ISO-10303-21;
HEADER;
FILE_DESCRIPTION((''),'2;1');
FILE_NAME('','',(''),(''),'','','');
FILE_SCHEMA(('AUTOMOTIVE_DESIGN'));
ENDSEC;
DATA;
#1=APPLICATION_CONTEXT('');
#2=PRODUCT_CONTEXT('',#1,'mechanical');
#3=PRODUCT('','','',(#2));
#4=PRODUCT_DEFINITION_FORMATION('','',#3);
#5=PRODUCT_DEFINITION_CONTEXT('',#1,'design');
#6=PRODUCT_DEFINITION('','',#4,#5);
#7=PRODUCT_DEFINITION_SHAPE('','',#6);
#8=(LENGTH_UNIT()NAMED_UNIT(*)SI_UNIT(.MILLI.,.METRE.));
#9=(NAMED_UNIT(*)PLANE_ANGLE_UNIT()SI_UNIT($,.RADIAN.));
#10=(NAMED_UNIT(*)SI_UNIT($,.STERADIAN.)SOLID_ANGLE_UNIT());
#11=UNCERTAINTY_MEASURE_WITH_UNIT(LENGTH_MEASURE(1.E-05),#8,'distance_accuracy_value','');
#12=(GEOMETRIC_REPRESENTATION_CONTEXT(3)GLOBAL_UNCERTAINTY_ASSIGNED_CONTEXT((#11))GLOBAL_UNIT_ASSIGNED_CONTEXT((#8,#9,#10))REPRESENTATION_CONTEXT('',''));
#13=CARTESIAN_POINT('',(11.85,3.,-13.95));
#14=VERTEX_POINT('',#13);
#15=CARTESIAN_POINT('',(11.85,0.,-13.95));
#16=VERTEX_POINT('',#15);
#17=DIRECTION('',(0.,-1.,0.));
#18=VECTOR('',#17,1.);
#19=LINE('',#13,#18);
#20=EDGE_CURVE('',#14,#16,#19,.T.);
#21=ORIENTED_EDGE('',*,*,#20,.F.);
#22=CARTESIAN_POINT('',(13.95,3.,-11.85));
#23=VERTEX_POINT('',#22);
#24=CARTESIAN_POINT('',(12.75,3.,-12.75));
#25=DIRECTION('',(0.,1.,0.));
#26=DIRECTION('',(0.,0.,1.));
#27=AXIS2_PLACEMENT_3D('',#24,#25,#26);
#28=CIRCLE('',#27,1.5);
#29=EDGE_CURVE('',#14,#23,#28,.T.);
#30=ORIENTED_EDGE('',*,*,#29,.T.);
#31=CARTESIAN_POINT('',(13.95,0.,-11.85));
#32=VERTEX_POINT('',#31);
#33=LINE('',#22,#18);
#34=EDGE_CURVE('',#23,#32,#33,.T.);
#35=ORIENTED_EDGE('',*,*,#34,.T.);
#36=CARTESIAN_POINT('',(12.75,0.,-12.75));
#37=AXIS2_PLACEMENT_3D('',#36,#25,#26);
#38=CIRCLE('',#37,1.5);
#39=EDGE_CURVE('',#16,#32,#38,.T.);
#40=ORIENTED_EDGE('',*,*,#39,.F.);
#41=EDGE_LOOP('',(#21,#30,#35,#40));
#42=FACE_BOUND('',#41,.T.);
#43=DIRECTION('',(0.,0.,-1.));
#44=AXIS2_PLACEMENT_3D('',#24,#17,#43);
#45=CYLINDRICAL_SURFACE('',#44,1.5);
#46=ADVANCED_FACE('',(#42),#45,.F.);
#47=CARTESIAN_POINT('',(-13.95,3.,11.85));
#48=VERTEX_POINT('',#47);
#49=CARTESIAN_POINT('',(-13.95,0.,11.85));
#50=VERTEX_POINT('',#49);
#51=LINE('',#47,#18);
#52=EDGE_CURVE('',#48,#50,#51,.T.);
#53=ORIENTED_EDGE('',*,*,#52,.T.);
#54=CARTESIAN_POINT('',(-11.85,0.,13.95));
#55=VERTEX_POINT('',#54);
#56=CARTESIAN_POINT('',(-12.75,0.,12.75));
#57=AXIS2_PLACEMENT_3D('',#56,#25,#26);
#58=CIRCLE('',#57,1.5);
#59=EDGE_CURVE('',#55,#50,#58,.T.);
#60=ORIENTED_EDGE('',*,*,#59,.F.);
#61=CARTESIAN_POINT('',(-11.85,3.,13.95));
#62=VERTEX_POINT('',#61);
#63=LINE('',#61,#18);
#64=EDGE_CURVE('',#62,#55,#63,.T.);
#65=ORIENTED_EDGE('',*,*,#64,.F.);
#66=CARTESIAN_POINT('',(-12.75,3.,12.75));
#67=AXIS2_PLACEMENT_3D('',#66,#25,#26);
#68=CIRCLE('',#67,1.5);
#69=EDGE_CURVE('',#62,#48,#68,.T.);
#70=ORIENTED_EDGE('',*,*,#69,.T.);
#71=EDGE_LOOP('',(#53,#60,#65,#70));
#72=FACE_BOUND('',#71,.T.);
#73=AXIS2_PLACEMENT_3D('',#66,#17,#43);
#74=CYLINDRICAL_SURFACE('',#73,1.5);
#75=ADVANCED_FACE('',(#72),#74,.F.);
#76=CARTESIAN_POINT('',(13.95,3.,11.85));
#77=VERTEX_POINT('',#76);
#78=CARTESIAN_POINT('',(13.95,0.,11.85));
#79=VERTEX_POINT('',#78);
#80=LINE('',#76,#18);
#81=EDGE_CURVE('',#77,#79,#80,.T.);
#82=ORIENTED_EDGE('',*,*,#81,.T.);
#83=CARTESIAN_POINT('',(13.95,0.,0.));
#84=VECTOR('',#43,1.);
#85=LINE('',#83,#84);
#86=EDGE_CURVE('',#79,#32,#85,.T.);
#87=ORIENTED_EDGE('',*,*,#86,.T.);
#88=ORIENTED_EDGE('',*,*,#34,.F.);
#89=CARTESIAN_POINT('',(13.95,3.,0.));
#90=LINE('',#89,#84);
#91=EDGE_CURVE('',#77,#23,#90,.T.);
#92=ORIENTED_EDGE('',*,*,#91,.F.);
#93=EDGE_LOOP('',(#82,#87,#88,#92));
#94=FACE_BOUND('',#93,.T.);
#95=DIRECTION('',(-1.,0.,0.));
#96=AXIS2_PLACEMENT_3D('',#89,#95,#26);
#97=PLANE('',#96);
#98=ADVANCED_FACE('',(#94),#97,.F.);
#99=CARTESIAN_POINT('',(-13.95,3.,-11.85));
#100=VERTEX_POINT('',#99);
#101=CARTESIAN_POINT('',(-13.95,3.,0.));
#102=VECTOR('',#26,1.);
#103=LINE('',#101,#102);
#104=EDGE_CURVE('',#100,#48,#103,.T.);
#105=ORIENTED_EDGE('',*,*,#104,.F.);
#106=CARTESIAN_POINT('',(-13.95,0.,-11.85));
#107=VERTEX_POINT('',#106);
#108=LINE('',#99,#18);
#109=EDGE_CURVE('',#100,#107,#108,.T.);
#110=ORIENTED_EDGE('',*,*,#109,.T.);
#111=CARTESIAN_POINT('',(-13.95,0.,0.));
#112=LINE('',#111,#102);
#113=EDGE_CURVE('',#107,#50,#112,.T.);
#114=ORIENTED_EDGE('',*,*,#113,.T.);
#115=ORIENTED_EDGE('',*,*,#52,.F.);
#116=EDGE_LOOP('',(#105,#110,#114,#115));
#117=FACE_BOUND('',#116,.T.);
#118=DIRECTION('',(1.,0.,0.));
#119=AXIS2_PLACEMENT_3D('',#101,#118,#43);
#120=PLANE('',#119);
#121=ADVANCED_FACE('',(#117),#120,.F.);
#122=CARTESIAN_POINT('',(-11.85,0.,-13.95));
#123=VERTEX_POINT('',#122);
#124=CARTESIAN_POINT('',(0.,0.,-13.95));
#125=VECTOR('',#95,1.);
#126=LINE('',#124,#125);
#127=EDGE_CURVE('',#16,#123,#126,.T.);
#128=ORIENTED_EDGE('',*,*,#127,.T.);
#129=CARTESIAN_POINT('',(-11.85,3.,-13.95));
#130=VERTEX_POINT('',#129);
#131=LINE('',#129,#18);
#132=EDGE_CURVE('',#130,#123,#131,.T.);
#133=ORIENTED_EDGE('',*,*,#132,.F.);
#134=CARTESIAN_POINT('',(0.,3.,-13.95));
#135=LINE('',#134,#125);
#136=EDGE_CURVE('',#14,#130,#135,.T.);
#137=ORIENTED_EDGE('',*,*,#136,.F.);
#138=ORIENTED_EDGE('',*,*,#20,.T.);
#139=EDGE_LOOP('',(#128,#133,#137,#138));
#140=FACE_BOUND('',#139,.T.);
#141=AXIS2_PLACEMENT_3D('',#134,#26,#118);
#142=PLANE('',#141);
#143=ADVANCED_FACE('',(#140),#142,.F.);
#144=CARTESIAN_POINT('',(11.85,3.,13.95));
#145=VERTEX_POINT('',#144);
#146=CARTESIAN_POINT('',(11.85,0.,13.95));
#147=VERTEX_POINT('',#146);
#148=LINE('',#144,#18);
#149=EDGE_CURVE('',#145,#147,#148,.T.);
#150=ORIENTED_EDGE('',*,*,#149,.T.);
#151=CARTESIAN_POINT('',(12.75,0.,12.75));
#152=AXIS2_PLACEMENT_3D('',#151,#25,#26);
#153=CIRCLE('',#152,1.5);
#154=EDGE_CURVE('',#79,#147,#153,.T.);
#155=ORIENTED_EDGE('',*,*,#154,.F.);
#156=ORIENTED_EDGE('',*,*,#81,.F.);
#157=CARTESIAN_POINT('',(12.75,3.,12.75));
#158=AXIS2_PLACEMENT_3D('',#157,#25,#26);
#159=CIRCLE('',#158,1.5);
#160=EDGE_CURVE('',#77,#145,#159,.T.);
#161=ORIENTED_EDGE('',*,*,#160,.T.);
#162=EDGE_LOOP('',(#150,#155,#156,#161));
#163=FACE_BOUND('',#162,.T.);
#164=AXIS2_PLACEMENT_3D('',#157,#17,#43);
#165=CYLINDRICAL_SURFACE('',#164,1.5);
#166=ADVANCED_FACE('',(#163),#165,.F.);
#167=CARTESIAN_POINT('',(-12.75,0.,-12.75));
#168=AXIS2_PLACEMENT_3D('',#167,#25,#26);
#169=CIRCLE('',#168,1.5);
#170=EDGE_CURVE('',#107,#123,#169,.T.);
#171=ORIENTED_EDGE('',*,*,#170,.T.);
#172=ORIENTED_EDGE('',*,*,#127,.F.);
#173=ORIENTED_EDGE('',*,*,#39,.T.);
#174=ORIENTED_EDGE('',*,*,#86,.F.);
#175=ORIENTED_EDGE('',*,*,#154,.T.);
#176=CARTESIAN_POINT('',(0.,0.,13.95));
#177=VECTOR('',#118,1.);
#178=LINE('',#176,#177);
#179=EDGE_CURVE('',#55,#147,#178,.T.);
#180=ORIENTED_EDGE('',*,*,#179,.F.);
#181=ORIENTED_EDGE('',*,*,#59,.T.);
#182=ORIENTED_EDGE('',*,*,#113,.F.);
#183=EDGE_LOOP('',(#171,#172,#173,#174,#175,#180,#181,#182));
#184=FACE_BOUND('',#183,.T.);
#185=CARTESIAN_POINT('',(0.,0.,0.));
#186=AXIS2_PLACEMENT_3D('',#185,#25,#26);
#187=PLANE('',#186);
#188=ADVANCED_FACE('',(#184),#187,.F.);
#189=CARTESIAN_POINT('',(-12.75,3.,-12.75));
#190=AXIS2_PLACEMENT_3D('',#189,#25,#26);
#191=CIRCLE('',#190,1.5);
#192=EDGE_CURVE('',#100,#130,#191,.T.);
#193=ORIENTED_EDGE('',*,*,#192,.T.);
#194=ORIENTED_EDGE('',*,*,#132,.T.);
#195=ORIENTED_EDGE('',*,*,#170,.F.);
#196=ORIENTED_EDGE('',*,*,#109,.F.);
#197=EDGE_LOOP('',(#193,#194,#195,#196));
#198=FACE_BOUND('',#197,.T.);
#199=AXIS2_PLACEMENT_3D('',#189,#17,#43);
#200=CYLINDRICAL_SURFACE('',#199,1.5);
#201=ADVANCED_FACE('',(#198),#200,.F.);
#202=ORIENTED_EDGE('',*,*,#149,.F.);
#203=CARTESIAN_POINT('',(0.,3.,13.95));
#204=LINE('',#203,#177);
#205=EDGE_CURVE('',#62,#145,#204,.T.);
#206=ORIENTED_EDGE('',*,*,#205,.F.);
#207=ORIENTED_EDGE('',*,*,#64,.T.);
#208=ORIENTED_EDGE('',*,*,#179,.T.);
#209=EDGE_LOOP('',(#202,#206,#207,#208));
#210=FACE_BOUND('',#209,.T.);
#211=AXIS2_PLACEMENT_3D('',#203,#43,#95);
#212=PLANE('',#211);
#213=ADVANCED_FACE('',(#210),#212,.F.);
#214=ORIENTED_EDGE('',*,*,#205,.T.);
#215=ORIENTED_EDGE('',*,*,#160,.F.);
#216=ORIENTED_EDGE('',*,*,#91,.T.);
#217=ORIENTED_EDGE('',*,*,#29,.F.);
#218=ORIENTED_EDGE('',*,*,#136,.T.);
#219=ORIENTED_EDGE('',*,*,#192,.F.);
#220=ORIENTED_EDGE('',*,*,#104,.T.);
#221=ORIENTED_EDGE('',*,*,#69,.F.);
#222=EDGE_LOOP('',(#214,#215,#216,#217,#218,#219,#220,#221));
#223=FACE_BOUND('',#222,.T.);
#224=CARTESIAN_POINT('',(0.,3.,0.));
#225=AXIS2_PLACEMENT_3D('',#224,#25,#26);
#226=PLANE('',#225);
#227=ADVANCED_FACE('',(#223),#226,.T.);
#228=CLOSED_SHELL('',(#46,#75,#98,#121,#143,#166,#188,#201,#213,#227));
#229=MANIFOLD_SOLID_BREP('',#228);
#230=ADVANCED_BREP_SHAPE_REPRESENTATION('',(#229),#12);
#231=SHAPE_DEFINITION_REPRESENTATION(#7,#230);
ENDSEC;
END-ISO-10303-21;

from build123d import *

# Parameters (mm, degrees)
FLIGHT_COMPUTER_DEPTH = 3


with BuildPart() as part:
    # Sketch2 → Flight Computer (new body)
    with BuildSketch(Plane(origin=(0, 0, 0), x_dir=(1, 0, 0), z_dir=(0, 1, 0))):
        with BuildLine():
            ThreePointArc((-11.25, 12.75), (-12.275658351, 11.326975053), (-13.95, 11.85))
            Line((-13.95, 11.85), (-13.95, -11.85))
            ThreePointArc((-13.95, -11.85), (-12.275658351, -11.326975053), (-11.25, -12.75))
            ThreePointArc((-11.25, -12.75), (-11.408359213, -13.420820393), (-11.85, -13.95))
            Line((-11.85, -13.95), (11.85, -13.95))
            ThreePointArc((11.85, -13.95), (11.689339828, -11.689339828), (13.95, -11.85))
            Line((13.95, -11.85), (13.95, 11.85))
            ThreePointArc((13.95, 11.85), (11.689339828, 11.689339828), (11.85, 13.95))
            Line((11.85, 13.95), (-11.85, 13.95))
            ThreePointArc((-11.85, 13.95), (-11.408359214, 13.420820393), (-11.25, 12.75))
        make_face()
    extrude(amount=FLIGHT_COMPUTER_DEPTH)


solid = part.part
